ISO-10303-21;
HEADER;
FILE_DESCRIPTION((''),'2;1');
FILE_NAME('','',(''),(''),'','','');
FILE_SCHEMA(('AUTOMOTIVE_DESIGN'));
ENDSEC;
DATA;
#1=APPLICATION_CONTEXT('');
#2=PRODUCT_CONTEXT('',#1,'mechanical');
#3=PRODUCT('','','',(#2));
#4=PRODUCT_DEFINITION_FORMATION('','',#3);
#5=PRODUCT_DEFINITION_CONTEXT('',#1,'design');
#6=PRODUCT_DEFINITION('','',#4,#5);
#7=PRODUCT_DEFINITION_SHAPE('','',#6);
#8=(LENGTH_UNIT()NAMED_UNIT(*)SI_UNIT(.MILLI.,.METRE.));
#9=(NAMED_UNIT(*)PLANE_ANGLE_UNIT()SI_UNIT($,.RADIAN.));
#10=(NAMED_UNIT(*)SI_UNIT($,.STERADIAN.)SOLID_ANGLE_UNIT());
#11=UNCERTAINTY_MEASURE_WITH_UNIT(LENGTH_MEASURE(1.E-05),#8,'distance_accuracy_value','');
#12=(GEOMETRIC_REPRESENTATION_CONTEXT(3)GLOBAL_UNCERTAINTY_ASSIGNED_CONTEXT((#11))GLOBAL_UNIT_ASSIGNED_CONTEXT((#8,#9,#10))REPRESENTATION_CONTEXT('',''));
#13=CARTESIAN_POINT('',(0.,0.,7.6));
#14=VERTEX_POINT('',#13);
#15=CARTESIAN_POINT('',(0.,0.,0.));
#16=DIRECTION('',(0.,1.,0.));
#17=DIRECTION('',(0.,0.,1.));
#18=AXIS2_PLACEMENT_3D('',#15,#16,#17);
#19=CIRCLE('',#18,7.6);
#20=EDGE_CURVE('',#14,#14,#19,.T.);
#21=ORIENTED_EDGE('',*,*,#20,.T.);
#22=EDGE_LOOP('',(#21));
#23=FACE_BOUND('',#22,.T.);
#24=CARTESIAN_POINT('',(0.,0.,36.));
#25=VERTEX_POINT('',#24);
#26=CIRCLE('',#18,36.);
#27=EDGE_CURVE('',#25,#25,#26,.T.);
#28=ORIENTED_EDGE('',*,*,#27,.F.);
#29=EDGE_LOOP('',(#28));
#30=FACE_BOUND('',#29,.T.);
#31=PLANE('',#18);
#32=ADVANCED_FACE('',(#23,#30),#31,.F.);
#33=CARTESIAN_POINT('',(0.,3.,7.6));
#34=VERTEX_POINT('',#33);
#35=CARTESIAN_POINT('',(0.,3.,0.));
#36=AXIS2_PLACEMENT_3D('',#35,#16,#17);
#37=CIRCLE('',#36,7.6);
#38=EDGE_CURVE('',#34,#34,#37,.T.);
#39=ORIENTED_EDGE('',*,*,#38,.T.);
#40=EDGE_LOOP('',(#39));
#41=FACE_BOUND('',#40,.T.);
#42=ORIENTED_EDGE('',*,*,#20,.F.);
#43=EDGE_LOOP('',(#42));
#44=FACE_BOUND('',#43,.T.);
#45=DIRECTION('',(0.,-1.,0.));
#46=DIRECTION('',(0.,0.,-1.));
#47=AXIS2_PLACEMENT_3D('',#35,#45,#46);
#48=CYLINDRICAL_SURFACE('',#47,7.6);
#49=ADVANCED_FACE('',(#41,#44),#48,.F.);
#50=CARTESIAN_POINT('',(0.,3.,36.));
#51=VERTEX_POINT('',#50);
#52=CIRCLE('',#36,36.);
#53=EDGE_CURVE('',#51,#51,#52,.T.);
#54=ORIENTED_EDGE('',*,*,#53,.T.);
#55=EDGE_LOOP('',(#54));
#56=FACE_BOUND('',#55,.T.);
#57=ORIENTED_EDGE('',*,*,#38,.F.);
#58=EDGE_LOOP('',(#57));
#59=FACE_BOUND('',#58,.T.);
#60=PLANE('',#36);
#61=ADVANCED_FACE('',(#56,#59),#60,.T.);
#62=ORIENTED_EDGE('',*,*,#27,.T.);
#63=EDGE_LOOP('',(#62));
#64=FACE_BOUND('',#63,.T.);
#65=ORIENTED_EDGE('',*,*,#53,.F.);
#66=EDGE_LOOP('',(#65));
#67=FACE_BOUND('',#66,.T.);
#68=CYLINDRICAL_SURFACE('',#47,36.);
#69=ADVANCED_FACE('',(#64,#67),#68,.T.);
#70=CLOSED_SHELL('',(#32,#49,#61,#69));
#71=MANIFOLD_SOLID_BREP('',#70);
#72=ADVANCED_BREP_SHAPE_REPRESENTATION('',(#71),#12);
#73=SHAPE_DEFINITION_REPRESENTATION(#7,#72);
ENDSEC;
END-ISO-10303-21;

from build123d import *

# Parameters (mm, degrees)
SKETCH_1_R      = 36
SKETCH_1_R_2    = 7.6
EXTRUDE_1_DEPTH = 3


with BuildPart() as part:
    # Эскиз1 → Вытянуть1 (new body)
    with BuildSketch(Plane(origin=(0, 0, 0), x_dir=(1, 0, 0), z_dir=(0, 1, 0))):
        with Locations(Location((0, 0, 0), (0, 0, 270))):
            Circle(SKETCH_1_R)
        with Locations(Location((0, 0, 0), (0, 0, 270))):
            Circle(SKETCH_1_R_2, mode=Mode.SUBTRACT)
    extrude(amount=EXTRUDE_1_DEPTH)


solid = part.part
